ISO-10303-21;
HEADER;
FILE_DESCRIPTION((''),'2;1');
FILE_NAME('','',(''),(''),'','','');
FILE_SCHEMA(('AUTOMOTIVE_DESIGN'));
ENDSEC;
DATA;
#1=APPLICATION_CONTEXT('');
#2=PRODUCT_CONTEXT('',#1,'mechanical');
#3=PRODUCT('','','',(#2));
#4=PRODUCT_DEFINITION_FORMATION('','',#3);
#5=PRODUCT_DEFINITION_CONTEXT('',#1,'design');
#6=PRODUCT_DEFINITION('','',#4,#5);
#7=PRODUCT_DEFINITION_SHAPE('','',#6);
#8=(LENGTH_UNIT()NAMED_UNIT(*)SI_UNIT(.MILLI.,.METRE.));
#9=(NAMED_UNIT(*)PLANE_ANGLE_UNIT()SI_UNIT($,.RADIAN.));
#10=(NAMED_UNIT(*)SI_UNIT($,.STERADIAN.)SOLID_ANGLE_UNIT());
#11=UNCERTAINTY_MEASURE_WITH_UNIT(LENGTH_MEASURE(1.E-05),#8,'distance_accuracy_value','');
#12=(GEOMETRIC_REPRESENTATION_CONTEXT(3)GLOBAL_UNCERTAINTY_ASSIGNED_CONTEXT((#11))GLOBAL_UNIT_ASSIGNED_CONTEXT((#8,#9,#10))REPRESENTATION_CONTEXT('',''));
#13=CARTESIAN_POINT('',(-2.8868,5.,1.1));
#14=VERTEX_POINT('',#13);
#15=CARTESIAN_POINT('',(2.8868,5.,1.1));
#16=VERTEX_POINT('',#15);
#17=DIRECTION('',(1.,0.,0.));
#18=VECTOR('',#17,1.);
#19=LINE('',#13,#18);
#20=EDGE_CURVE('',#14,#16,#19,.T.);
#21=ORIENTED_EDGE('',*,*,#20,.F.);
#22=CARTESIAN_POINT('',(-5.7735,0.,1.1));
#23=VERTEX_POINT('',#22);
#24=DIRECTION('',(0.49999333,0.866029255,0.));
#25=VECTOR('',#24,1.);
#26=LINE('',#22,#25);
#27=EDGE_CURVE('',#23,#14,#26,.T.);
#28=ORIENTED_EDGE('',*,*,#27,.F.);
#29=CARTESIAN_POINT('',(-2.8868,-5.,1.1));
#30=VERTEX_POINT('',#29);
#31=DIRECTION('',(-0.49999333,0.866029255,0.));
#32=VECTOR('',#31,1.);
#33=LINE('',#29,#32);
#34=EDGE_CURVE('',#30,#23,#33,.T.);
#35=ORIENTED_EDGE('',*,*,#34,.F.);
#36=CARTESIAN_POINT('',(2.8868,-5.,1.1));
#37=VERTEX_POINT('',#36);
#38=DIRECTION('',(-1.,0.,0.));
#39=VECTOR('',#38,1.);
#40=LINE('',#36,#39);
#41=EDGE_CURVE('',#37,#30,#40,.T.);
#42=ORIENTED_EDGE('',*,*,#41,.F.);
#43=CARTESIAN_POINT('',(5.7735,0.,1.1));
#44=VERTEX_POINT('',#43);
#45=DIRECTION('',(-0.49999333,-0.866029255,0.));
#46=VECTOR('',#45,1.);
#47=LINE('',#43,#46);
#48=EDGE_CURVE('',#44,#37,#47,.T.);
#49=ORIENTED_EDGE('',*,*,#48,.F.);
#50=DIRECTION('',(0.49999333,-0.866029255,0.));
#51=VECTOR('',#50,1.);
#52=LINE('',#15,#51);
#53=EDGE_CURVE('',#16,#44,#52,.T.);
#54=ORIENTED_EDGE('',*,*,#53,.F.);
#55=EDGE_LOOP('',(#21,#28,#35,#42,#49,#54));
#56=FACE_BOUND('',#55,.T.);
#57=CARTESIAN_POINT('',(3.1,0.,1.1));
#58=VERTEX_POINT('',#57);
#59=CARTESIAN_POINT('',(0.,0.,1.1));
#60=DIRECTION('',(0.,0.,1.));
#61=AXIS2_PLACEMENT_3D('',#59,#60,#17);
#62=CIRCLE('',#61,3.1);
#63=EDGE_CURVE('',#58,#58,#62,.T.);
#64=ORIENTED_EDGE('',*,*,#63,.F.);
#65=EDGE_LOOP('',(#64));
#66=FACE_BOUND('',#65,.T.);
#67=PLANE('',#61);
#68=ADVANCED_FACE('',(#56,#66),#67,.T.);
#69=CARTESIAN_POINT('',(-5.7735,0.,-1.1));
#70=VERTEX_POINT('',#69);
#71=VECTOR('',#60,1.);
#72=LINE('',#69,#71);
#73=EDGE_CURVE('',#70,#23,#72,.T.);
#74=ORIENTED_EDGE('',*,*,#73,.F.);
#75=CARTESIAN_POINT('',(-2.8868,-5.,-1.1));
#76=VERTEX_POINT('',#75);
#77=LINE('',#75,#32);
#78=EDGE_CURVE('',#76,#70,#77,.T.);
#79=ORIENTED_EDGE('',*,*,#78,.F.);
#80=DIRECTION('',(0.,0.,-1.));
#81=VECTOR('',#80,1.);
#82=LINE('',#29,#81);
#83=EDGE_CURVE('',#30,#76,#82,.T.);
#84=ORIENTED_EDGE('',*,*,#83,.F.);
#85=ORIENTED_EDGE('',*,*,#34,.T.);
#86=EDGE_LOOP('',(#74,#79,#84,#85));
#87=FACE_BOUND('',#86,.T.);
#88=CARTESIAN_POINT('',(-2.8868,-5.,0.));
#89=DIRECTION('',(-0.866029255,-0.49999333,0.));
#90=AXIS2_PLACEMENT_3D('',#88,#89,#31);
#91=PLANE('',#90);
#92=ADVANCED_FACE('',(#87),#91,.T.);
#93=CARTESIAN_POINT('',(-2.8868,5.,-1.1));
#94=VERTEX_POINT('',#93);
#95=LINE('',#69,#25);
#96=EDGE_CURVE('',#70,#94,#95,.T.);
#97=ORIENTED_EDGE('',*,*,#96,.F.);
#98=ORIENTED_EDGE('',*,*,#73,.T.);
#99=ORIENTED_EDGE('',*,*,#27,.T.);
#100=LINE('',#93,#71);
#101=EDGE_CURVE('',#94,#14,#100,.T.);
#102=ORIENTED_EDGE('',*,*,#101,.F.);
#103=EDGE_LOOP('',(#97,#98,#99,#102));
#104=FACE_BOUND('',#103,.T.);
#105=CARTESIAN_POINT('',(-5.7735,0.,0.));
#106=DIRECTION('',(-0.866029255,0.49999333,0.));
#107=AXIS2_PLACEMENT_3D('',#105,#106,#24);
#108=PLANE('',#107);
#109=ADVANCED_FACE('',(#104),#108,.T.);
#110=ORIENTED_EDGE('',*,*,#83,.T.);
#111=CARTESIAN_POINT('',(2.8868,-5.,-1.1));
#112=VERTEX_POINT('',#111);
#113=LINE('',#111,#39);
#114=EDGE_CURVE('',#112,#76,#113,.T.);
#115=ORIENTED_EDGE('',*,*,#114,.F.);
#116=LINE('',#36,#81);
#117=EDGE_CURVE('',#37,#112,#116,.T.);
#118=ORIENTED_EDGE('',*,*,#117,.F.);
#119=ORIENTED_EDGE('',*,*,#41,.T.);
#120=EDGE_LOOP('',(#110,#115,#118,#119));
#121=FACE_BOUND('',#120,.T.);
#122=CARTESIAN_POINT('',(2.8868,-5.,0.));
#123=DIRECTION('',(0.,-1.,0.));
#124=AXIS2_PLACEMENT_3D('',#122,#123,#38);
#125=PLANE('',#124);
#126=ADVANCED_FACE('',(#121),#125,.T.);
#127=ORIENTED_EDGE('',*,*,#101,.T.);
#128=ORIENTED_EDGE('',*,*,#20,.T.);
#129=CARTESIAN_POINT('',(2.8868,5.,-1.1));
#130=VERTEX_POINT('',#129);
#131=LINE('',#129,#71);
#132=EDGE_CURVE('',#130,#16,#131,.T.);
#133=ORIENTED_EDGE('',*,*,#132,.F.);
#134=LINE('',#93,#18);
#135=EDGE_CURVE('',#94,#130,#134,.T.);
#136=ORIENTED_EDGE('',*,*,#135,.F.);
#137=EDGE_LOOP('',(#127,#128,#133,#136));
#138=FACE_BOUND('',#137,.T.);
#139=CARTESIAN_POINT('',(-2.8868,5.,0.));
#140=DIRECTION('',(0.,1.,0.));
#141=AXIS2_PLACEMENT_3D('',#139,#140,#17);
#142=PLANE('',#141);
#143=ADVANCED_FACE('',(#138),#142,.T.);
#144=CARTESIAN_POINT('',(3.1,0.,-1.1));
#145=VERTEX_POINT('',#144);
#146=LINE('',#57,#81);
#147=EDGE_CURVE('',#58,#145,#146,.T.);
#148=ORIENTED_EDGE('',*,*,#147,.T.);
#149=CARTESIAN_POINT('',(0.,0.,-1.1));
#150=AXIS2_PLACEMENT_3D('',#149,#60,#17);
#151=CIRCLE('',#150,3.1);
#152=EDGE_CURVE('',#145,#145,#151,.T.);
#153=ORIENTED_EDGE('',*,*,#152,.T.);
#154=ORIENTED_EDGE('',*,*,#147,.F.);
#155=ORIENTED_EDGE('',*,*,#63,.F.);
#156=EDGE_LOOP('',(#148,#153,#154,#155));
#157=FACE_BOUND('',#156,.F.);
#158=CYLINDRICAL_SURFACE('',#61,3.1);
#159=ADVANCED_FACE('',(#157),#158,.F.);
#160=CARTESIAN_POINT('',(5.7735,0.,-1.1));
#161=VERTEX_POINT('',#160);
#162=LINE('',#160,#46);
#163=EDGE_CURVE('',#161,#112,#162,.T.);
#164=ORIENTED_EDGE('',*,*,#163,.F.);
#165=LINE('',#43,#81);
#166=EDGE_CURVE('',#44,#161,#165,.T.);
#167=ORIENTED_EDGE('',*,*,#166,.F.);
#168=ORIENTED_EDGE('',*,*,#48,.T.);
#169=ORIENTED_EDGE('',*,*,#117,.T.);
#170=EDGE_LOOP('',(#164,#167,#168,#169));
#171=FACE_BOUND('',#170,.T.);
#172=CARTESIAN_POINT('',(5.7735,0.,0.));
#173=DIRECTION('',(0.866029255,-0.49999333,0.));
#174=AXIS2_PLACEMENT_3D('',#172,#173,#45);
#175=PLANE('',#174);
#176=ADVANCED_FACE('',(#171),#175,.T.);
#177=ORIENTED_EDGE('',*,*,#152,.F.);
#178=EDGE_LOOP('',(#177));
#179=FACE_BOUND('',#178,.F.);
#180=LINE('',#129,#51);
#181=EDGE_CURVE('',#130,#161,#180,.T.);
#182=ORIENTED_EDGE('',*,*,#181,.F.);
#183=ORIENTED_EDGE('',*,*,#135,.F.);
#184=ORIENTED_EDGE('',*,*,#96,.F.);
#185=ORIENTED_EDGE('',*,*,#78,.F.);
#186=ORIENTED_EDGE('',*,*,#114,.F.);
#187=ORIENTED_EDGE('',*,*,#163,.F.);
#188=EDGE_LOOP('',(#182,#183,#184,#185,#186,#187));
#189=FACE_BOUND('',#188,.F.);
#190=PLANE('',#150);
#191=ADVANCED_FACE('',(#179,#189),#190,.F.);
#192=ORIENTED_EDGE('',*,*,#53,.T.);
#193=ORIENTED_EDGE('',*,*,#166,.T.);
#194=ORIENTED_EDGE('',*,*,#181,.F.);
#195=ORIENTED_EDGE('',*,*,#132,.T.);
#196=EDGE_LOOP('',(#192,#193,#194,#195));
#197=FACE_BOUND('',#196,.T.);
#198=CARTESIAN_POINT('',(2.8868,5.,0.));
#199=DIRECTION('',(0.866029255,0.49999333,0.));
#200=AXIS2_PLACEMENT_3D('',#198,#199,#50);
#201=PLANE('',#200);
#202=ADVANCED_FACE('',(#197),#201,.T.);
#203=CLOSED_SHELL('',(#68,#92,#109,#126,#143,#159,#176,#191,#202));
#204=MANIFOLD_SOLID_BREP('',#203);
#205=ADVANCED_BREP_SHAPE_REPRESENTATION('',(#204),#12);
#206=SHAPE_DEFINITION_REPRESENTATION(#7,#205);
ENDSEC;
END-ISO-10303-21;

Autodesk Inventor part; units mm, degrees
ref_plane "YZ Plane" through (0, 0, 0) normal (1, 0, 0) x (0, 1, 0)
ref_plane "XZ Plane" through (0, 0, 0) normal (0, 1, 0) x (-1, 0, 0)
ref_plane "XY Plane" through (0, 0, 0) normal (0, 0, 1) x (1, 0, 0)
sketch "Sketch1" plane through (0, 0, 0) normal (0, 0, 1) x (1, 0, 0)
  line L0 (2.8868, 5) -> (5.7735, 0)
  line L1 (5.7735, 0) -> (2.8868, -5)
  line L2 (2.8868, -5) -> (-2.8868, -5)
  line L3 (-2.8868, -5) -> (-5.7735, 0)
  line L4 (-5.7735, 0) -> (-2.8868, 5)
  line L5 (-2.8868, 5) -> (2.8868, 5)
  point P0 (0, 0)
  point P1 (0, 0)
  dimension "d0" = 10
extrude "Extrusion1" add sketch "Sketch1" along normal mid plane 2.2
sketch "Sketch2" plane through (0, 0, 1.1) normal (0, 0, 1) x (1, 0, 0)
  circle A0 centre (0, 0) radius 3.1
  dimension "d3" = 6.2
extrude "Extrusion2" cut sketch "Sketch2" against normal through all
sketch "Sketch3" plane through (0, 0, 0) normal (1, 0, 0) x (0, 1, 0)
  line L0 (3.1, -1.1) -> (3.1, -1.6889)
  line L1 (3.1, -1.1) -> (3.61, -1.3944)
  line L2 (3.61, -1.3944) -> (3.1, -1.6889)
  line L3 (3.1, -1.1) -> (3.61, -1.3944)
  line L4 (3.1, -1.6889) -> (3.1, -1.1)
  point P0 (0, 0)
properties part number "Porca Potenciometro"
